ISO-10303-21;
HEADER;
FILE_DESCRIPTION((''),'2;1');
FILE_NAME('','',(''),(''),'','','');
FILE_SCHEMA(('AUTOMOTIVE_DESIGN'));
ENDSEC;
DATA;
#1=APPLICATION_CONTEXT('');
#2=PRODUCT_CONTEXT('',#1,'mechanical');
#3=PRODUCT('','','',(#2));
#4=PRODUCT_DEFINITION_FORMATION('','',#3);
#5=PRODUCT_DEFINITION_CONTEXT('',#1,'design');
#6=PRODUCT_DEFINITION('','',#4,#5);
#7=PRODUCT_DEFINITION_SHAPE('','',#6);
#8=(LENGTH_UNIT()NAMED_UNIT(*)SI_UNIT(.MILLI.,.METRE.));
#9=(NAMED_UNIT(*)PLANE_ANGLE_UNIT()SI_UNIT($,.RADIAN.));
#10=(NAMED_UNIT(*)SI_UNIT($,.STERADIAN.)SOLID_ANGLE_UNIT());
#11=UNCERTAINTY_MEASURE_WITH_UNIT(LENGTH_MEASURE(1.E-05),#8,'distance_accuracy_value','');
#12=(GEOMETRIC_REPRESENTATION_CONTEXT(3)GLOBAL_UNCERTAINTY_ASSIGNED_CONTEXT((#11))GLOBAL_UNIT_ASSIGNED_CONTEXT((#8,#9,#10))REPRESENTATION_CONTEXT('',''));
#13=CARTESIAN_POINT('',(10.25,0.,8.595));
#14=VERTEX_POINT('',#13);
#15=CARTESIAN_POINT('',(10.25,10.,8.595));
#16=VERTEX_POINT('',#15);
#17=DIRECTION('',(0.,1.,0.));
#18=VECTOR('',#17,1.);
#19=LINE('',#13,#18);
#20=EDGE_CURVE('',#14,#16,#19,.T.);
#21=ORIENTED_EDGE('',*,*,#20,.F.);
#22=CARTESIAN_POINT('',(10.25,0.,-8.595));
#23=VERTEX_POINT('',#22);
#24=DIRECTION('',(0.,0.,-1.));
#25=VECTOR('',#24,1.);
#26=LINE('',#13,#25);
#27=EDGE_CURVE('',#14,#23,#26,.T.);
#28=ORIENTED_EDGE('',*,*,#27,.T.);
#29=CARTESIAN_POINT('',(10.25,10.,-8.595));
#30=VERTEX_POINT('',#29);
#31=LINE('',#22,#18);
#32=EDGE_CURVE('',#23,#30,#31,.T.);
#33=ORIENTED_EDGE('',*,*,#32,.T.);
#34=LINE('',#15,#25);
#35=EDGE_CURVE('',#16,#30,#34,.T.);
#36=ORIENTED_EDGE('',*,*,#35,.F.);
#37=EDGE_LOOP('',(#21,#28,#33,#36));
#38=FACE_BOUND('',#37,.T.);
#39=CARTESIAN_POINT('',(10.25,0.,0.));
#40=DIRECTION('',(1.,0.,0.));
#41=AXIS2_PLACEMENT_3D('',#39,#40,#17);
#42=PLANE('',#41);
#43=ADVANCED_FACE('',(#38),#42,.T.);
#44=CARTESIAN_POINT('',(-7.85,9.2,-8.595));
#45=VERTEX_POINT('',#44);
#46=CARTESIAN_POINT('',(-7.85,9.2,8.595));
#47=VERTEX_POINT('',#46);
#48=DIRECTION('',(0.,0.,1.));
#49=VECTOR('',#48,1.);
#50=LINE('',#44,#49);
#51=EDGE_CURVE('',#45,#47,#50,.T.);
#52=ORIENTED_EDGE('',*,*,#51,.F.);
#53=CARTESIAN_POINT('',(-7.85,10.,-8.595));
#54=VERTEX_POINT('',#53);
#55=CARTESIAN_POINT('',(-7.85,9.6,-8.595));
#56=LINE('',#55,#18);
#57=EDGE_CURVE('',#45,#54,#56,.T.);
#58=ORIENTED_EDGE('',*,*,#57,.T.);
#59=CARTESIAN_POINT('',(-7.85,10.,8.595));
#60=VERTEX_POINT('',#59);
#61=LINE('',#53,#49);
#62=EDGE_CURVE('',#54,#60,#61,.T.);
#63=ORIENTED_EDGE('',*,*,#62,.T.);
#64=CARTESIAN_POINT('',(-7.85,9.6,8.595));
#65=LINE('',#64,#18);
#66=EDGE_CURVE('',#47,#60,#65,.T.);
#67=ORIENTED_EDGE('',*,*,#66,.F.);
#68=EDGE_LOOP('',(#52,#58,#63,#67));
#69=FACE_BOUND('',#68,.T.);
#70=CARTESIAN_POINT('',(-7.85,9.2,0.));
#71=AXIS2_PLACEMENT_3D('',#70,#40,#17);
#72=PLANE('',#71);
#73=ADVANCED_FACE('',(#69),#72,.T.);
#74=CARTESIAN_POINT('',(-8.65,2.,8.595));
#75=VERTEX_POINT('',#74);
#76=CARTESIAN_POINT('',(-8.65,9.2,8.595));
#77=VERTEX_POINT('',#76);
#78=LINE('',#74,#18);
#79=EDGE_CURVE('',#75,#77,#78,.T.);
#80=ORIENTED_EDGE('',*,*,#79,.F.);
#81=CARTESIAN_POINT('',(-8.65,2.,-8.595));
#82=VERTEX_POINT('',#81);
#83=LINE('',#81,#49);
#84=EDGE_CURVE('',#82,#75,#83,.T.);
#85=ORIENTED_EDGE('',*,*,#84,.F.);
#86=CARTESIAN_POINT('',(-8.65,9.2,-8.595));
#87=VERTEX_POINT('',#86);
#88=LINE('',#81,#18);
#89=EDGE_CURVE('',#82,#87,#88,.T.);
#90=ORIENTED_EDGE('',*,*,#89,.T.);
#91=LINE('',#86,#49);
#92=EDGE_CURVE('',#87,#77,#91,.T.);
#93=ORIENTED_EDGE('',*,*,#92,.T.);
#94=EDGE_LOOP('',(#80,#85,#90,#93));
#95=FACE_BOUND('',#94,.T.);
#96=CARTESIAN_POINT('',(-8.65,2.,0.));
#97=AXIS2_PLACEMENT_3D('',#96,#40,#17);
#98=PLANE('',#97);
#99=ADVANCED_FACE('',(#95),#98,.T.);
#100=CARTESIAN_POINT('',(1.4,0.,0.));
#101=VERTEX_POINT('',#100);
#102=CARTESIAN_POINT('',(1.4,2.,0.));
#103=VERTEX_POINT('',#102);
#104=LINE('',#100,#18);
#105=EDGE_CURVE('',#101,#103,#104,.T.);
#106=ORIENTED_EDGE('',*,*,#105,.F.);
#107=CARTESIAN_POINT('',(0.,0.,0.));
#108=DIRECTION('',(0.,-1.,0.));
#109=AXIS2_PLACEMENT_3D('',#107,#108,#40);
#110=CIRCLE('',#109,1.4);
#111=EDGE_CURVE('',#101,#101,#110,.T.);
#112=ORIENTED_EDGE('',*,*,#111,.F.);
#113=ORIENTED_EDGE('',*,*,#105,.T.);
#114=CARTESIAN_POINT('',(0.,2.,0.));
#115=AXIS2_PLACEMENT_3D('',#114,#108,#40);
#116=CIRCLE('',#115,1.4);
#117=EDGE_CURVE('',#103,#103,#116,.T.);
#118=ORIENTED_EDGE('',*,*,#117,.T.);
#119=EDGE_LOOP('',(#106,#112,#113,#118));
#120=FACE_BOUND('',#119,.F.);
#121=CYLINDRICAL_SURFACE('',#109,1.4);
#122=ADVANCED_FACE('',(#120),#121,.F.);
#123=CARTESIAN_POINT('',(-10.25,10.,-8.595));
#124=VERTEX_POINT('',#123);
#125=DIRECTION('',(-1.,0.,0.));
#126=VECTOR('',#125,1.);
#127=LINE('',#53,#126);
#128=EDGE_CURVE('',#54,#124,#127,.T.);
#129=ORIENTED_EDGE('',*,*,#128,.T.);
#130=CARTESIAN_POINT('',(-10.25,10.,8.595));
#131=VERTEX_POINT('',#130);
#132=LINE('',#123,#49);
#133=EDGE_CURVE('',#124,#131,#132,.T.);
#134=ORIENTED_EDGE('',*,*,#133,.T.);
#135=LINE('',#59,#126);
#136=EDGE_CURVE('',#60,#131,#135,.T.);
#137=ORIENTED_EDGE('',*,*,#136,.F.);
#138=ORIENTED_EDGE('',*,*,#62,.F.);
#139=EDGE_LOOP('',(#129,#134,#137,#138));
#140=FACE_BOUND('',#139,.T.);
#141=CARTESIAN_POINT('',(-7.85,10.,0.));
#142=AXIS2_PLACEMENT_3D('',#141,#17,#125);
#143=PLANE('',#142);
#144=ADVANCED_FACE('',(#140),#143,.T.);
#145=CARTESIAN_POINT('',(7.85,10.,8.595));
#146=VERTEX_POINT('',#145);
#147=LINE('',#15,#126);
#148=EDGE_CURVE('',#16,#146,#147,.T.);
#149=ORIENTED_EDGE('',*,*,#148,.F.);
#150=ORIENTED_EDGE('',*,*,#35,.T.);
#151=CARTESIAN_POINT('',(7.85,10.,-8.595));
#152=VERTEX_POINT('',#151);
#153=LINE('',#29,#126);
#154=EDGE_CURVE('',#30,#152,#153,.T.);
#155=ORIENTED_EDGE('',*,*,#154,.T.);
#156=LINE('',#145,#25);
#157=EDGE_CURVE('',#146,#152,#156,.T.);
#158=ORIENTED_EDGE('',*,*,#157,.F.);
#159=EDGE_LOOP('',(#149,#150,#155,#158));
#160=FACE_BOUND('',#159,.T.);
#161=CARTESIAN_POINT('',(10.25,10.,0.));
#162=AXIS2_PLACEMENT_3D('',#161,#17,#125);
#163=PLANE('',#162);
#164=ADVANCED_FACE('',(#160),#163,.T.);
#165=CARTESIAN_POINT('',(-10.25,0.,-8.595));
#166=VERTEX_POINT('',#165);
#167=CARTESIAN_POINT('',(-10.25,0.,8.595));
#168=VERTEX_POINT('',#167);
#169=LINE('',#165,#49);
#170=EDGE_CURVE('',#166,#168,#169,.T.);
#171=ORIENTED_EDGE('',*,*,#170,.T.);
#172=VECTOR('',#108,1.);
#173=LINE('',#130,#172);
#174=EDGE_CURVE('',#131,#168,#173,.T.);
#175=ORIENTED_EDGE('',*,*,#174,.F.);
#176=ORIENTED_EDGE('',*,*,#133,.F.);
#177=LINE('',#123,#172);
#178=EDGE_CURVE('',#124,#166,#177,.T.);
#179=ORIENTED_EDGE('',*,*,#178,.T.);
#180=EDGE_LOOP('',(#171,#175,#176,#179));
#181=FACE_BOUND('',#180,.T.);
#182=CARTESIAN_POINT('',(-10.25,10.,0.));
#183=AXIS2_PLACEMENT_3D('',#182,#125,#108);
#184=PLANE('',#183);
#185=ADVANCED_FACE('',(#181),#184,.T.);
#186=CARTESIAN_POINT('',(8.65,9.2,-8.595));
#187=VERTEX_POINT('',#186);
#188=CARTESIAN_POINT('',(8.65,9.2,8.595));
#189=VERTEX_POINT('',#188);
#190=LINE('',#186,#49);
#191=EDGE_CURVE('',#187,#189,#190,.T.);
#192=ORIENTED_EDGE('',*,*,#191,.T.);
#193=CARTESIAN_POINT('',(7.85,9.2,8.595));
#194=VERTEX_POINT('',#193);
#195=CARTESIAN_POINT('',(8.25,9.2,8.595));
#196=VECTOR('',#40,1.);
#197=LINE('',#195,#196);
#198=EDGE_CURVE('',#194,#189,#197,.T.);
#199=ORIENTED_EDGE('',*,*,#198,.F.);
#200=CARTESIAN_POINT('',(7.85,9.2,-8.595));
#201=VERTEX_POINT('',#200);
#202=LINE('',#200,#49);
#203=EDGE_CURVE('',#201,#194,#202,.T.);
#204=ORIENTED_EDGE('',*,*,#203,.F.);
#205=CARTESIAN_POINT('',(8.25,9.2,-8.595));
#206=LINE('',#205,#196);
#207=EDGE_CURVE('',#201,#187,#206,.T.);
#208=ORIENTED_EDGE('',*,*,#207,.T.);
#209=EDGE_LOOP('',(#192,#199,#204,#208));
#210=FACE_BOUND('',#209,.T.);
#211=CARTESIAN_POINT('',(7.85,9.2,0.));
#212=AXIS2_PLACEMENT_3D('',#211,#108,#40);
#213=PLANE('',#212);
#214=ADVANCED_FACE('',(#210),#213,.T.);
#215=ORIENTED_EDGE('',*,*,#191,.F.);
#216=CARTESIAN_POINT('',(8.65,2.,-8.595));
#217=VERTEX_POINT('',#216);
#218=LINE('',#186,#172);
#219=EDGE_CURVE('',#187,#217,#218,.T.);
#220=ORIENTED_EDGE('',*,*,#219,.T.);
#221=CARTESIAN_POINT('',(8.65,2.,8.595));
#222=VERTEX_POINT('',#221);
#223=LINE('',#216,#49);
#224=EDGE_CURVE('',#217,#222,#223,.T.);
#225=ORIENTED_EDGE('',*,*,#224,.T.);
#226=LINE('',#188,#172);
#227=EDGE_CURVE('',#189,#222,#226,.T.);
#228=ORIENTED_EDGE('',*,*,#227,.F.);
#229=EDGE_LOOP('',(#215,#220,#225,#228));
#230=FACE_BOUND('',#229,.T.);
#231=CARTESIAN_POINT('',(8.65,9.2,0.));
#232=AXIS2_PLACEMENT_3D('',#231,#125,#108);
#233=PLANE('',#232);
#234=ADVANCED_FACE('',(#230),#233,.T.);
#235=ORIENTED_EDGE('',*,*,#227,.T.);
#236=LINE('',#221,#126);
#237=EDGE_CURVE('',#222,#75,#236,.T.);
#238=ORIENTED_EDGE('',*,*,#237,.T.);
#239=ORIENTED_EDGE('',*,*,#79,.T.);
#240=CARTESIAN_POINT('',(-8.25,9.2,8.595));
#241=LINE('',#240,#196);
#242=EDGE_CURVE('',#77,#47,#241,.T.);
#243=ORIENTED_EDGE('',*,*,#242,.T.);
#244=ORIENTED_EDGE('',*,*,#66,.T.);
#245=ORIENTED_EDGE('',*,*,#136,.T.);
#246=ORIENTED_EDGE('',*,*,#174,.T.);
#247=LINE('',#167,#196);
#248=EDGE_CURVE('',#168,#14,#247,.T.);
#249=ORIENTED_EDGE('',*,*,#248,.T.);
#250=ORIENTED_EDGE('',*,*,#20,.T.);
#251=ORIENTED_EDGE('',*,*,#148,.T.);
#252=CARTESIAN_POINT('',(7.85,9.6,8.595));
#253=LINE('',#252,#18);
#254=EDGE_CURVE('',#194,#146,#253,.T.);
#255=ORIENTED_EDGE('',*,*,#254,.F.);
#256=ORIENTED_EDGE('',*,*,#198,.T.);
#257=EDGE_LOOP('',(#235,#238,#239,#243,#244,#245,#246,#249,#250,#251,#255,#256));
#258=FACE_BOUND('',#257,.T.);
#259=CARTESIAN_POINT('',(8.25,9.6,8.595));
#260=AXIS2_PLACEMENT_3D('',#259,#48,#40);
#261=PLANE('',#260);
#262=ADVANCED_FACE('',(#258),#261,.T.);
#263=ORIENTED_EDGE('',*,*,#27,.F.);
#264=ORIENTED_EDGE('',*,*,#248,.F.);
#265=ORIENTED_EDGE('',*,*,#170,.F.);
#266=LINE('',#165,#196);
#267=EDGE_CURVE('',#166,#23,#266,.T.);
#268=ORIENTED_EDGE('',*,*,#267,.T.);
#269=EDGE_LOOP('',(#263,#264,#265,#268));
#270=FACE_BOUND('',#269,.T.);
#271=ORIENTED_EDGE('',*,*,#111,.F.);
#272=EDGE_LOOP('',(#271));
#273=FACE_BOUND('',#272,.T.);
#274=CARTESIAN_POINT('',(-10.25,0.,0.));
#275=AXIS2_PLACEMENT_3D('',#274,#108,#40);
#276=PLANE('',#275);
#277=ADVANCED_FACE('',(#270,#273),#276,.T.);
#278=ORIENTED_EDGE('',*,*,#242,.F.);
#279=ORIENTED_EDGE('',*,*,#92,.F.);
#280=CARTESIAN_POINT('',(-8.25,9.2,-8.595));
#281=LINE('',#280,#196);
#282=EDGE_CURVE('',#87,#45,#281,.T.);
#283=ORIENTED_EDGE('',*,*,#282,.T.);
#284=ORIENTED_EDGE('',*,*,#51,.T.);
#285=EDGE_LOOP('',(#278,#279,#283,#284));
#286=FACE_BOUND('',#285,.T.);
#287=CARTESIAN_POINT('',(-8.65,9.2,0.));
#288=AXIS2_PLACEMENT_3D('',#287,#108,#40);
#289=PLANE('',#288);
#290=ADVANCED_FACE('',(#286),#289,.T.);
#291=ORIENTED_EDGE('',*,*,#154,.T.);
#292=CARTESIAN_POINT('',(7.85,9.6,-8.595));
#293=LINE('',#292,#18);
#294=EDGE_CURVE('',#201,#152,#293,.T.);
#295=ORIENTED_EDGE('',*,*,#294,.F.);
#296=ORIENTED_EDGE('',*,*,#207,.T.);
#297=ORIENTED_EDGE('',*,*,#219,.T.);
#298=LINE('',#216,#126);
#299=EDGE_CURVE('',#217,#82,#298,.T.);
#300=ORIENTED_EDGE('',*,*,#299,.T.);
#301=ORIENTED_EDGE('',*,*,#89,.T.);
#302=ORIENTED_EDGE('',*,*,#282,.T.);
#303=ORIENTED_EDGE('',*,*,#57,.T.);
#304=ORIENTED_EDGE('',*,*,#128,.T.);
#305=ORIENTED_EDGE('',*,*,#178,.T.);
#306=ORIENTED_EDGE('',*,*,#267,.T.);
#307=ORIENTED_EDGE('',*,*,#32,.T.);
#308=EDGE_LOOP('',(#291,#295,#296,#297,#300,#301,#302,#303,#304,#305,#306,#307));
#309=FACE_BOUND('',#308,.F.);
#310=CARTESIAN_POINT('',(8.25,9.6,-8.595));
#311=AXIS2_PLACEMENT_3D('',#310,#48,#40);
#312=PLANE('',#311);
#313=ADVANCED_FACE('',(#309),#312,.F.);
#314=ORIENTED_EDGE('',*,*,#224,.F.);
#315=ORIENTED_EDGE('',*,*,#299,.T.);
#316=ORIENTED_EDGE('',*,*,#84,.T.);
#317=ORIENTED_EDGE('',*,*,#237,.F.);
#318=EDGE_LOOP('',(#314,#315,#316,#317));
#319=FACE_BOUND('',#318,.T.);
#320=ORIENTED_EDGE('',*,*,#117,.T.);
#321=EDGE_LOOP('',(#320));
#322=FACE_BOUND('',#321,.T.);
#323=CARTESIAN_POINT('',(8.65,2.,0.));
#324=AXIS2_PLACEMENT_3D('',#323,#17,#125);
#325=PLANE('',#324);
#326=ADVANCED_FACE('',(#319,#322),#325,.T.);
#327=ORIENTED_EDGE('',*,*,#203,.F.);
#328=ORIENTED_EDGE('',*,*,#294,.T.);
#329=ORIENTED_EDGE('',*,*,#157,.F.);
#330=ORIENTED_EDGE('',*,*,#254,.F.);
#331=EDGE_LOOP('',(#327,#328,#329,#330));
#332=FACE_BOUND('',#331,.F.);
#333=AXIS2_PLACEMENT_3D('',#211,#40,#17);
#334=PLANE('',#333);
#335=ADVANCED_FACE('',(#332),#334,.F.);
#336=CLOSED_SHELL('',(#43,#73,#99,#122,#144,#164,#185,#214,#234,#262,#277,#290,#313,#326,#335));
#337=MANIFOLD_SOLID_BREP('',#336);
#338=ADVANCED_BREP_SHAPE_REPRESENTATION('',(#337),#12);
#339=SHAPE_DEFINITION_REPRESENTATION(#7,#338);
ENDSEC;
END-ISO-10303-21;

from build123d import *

# Parameters (mm, degrees)
F0_W     = 0.8
F0_H     = 0.8
F1_DEPTH = 8.595
F2_R     = 1.4
F3_DEPTH = 2


with BuildPart() as f1:
    # F0 (on Top) → F1 (new body, symmetric)
    with BuildSketch(Plane.XY):
        with Locations((8.25, 9.6)):
            Rectangle(F0_W, F0_H)
        Polygon((8.65, 9.2), (8.65, 2), (10.25, 2), (10.25, 10), (8.65, 10), align=None)
        with Locations((-8.25, 9.6)):
            Rectangle(F0_W, F0_H)
        Polygon((-10.25, 10), (-10.25, 2), (-8.65, 2), (-8.65, 9.2), (-8.65, 10), align=None)
        Polygon((-10.25, 0), (0, 0), (0, 2), (-8.65, 2), (-10.25, 2), align=None)
        Polygon((0, 2), (0, 0), (10.25, 0), (10.25, 2), (8.65, 2), align=None)
    extrude(amount=F1_DEPTH, both=True)

    # F2 (on face) → F3 (cut, through all)
    with BuildSketch(Plane.XZ):
        Circle(F2_R)
    extrude(amount=-F3_DEPTH, mode=Mode.SUBTRACT)


solid = f1.part
